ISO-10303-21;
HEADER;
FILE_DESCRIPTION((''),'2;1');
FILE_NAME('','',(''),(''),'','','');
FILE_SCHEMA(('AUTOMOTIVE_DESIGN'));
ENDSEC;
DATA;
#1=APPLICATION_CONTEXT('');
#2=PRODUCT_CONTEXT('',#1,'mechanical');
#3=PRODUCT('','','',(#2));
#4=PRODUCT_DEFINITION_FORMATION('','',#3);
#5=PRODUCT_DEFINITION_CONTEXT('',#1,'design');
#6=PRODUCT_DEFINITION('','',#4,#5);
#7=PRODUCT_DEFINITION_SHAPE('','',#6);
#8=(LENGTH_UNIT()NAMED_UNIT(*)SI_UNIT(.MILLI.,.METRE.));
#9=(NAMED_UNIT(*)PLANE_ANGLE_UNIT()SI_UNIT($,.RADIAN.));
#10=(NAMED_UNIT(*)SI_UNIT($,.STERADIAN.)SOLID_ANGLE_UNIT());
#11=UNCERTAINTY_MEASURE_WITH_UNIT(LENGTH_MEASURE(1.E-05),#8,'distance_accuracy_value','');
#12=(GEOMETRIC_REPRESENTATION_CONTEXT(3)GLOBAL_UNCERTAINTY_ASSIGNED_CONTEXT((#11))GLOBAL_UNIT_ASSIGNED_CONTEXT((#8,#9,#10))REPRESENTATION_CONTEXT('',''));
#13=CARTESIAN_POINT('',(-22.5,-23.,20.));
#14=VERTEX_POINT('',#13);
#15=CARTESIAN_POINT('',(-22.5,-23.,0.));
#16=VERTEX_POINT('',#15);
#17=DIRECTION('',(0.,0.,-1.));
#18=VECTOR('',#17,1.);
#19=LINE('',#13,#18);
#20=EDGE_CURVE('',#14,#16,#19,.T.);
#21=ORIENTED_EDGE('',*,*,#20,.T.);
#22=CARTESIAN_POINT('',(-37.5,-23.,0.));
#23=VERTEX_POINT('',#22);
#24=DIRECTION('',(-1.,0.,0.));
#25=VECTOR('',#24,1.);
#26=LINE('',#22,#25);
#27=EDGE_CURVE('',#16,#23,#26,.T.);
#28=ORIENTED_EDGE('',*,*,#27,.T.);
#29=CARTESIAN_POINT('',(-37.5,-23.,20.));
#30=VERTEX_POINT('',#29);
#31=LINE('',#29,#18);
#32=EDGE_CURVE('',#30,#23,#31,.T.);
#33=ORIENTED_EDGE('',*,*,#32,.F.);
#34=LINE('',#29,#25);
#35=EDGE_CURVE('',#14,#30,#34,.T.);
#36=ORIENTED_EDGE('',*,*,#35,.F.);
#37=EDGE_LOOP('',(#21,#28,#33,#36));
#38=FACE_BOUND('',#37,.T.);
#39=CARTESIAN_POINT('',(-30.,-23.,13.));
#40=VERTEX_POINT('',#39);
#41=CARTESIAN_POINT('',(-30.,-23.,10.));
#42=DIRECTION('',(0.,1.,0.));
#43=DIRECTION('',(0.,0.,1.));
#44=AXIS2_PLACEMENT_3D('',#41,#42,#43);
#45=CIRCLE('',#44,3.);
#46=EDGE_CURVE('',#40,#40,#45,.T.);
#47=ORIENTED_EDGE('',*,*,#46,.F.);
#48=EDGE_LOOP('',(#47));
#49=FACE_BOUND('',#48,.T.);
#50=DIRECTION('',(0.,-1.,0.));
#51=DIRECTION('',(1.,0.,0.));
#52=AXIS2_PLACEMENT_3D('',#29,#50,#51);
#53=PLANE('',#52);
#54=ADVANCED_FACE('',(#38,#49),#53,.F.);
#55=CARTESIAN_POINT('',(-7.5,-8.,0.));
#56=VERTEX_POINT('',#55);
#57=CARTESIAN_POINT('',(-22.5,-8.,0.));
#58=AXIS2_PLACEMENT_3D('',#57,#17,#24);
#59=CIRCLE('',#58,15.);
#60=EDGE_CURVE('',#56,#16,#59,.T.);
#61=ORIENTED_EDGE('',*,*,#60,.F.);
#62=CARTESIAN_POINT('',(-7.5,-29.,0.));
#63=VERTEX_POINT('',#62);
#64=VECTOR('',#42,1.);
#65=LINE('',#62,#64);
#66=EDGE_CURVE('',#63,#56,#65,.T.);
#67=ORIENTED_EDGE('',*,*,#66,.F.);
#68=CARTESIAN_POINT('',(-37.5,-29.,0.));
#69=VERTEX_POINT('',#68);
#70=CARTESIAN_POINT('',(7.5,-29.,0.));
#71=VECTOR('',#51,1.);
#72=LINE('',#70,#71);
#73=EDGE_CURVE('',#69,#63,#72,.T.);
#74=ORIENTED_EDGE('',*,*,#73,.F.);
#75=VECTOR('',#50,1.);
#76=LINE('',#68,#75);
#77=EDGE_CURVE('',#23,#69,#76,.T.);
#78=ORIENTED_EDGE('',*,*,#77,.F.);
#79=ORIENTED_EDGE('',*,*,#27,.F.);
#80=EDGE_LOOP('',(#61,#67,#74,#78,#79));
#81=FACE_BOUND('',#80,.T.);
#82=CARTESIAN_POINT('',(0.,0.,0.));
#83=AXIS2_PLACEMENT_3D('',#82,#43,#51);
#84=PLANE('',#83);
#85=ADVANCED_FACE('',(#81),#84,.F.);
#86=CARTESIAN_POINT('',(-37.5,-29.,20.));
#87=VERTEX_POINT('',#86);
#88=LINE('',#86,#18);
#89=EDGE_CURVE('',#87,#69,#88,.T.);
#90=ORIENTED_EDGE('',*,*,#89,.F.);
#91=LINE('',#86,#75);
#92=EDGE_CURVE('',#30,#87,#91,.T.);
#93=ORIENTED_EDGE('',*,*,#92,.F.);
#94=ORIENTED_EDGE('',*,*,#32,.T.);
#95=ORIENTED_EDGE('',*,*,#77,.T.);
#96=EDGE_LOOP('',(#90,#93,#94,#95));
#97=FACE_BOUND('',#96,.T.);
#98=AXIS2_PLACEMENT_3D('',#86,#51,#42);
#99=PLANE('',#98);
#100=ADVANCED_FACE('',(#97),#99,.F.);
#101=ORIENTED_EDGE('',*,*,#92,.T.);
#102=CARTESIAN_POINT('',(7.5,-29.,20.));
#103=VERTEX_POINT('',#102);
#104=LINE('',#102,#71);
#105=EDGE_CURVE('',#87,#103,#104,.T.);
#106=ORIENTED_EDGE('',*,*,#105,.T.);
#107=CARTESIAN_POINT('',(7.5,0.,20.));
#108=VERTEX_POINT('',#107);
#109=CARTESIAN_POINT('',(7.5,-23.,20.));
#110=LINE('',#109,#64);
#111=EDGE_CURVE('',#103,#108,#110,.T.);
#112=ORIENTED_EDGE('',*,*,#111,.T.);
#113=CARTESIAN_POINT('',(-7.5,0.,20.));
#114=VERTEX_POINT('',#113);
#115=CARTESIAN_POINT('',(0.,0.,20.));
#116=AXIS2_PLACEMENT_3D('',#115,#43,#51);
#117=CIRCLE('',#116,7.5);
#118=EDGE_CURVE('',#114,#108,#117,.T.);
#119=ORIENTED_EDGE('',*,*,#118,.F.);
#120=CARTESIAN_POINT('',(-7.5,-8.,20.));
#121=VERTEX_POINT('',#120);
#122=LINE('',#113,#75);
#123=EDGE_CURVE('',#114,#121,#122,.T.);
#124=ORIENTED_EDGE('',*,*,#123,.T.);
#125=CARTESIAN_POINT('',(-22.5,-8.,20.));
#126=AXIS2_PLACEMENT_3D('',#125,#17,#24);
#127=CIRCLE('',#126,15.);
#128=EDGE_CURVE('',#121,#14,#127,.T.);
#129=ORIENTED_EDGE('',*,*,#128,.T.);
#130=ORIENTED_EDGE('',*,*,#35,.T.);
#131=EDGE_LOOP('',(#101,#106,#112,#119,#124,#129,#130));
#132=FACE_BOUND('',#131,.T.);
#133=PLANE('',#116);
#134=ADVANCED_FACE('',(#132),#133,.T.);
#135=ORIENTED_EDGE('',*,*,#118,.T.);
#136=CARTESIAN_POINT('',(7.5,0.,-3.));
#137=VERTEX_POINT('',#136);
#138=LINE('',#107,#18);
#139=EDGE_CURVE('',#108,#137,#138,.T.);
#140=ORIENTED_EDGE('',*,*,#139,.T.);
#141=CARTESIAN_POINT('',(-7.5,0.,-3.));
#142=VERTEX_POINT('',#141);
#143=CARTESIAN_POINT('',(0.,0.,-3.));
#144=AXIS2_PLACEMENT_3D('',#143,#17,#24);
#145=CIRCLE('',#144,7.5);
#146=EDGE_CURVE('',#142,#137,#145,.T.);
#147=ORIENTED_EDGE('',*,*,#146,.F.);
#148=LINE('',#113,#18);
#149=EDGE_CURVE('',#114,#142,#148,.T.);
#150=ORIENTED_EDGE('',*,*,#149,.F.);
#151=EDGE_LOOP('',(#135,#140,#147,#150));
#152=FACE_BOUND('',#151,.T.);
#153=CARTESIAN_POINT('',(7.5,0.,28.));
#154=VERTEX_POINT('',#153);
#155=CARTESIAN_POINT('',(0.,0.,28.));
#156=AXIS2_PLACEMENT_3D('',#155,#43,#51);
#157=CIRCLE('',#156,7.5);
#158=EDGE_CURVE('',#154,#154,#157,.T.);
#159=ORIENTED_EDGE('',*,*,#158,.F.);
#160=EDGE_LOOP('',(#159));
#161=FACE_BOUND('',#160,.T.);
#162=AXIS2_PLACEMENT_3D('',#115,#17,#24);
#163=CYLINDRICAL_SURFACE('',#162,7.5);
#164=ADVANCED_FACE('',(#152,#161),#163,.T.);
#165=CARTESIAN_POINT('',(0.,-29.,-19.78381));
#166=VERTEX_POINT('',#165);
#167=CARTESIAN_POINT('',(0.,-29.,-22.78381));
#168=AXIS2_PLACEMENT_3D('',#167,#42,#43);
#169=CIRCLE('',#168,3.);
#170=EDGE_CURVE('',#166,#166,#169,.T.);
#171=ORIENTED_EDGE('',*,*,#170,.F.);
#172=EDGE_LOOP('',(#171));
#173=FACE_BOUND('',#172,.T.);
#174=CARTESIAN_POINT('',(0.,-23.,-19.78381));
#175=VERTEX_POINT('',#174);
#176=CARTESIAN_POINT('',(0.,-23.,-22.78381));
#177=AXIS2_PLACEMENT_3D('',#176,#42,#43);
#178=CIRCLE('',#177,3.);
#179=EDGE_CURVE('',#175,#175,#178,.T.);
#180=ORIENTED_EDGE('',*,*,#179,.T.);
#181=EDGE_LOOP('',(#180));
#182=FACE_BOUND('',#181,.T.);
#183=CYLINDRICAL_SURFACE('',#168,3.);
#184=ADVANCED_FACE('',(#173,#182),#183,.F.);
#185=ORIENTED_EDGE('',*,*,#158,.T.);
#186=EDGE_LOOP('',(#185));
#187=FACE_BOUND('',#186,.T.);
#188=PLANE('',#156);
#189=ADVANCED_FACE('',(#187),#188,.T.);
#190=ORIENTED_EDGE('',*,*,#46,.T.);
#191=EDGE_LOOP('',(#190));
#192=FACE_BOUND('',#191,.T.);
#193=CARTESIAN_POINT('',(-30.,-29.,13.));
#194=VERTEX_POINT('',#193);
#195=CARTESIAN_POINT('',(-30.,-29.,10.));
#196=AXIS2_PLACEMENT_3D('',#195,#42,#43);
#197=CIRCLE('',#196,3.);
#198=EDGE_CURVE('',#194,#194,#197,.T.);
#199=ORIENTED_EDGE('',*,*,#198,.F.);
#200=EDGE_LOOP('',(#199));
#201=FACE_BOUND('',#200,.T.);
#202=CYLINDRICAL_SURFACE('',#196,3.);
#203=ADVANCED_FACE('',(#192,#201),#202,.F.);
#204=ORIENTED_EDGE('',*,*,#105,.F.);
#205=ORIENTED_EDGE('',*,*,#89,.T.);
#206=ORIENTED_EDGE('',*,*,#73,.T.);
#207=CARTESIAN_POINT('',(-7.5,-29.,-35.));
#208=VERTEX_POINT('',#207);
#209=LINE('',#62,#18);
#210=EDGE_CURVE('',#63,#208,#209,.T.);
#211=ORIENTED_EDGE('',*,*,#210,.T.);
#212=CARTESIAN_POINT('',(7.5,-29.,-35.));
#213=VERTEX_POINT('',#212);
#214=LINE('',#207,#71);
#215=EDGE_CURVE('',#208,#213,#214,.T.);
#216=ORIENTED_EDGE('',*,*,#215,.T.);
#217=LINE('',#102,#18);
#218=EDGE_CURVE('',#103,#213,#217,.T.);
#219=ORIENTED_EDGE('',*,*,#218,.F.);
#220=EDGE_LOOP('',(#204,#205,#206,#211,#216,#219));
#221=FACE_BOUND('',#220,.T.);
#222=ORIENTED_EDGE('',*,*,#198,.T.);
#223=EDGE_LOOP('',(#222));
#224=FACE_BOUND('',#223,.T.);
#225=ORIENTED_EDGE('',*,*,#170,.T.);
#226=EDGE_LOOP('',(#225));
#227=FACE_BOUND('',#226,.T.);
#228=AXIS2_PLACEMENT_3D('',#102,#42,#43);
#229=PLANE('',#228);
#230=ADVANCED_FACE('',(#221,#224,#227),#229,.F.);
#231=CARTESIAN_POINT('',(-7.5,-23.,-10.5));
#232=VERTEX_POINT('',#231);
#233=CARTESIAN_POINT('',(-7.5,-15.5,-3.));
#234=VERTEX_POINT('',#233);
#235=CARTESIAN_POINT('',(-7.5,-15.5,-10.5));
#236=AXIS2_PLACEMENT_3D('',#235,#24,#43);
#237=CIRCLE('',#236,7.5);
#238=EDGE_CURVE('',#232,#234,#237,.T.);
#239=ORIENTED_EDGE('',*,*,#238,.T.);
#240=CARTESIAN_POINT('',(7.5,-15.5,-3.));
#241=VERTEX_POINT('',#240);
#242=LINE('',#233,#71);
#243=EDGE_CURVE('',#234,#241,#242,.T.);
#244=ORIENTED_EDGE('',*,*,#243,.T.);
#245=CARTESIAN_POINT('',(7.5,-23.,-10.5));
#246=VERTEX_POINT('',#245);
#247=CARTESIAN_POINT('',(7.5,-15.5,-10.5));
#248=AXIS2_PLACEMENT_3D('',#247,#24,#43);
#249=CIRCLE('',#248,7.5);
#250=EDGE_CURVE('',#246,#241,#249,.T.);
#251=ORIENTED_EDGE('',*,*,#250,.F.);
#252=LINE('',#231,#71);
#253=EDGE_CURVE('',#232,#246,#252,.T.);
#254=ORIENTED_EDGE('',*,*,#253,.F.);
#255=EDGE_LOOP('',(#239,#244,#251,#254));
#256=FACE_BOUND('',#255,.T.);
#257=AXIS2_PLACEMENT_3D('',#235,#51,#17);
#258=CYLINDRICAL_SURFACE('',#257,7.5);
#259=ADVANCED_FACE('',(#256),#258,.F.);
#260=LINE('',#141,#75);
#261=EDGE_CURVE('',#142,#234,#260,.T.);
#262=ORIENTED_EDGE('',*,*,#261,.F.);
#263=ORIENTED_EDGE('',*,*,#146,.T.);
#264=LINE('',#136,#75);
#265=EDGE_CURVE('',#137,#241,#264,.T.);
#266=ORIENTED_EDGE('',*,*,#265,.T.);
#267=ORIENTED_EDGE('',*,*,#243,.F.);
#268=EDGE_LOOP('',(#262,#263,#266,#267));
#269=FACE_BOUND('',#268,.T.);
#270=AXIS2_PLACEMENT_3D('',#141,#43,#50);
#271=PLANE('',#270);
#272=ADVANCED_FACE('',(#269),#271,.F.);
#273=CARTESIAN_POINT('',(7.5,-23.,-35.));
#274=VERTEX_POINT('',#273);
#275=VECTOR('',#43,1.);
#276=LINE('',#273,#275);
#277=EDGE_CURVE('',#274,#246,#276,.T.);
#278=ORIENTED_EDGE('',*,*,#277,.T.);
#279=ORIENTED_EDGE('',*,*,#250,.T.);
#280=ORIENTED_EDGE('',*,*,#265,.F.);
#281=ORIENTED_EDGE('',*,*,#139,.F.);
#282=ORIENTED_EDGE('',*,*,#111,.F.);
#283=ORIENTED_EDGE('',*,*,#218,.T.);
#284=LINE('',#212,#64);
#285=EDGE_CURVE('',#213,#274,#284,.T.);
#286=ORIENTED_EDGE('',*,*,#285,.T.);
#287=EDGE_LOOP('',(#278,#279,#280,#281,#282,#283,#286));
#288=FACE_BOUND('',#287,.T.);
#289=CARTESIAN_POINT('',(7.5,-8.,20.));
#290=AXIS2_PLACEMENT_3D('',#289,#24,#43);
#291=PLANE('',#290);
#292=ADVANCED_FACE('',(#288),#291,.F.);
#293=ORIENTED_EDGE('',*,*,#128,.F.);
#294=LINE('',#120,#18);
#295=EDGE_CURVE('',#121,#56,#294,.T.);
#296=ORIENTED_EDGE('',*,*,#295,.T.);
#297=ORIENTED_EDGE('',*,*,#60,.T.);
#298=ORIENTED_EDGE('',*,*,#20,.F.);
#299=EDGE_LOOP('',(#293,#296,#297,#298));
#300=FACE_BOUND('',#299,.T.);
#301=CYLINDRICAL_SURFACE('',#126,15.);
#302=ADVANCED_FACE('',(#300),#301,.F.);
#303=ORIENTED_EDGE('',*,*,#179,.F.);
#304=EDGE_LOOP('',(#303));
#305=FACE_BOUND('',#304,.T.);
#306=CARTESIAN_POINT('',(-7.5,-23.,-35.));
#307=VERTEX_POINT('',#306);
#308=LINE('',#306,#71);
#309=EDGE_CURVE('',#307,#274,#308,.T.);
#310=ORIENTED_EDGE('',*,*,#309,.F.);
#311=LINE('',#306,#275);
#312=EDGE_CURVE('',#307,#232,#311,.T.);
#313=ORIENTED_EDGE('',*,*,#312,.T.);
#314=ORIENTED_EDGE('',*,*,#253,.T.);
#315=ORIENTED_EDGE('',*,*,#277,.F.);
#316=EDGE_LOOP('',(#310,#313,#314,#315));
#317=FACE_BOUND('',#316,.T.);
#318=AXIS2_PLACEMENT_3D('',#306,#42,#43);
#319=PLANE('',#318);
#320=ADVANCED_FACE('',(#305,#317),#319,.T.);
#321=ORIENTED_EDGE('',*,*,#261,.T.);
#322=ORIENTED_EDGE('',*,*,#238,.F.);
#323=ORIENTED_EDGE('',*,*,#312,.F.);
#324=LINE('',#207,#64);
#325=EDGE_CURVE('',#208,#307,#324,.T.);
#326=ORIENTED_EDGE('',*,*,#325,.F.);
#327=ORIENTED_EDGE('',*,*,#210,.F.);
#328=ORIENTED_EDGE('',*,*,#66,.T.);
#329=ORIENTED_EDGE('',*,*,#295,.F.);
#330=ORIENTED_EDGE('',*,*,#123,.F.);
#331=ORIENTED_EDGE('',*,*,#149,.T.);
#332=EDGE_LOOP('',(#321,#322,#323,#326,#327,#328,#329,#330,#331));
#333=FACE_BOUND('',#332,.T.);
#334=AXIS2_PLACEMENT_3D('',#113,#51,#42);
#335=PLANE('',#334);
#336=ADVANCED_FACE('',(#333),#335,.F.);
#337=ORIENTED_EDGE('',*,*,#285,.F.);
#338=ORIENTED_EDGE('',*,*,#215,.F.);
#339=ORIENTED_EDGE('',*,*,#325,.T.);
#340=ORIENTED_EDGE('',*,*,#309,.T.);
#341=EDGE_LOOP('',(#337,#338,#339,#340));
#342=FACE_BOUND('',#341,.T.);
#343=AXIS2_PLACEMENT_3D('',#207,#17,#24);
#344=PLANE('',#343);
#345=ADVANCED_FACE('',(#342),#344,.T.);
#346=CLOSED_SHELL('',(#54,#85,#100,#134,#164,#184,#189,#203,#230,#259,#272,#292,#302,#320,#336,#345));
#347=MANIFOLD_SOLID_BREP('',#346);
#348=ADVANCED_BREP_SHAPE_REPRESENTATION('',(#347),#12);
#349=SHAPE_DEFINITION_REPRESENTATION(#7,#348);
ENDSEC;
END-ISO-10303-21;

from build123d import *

# Parameters (mm, degrees)
BOSS_EXTRUDE1_DEPTH = 20
SKETCH3_R           = 7.5
BOSS_EXTRUDE3_DEPTH = 8
BOSS_EXTRUDE4_DEPTH = 15
BOSS_EXTRUDE5_START = 3
SKETCH5_R           = 7.5
BOSS_EXTRUDE5_DEPTH = 3
SKETCH6_R           = 3
CUT_EXTRUDE1_DEPTH  = 60.678304265


with BuildPart() as part:
    # Sketch1 → Boss-Extrude1 (new body)
    with BuildSketch(Plane.XY):
        with BuildLine():
            Line((-7.5, 0), (-7.5, -8))
            ThreePointArc((-7.5, -8), (-11.893398282, -18.606601718), (-22.5, -23))
            Line((-22.5, -23), (-37.5, -23))
            Line((-37.5, -23), (-37.5, -29))
            Line((-37.5, -29), (7.5, -29))
            Line((7.5, -29), (7.5, -23))
            Line((7.5, -23), (7.5, -8))
            Line((7.5, -8), (7.5, 0))
            ThreePointArc((7.5, 0), (0, 7.5), (-7.5, 0))
        make_face()
    extrude(amount=BOSS_EXTRUDE1_DEPTH)

    # Sketch3 → Boss-Extrude3 (add)
    with BuildSketch(Plane.XY.offset(20)):
        Circle(SKETCH3_R)
    extrude(amount=BOSS_EXTRUDE3_DEPTH)

    # Sketch4 → Boss-Extrude4 (add)
    with BuildSketch(Plane(origin=(7.5, 0, 0), x_dir=(0, 0, -1), z_dir=(1, 0, 0))):
        with BuildLine():
            Line((0, -29), (35, -29))
            Line((35, -29), (35, -23))
            Line((35, -23), (10.5, -23))
            ThreePointArc((10.5, -23), (5.196699141, -20.803300859), (3, -15.5))
            Line((3, -15.5), (3, 0))
            Line((3, 0), (0, 0))
            Line((0, 0), (0, -29))
        make_face()
    extrude(amount=-BOSS_EXTRUDE4_DEPTH)

    # Sketch5 → Boss-Extrude5 (add)
    with BuildSketch(Plane(origin=(0, 0, 0), x_dir=(-1, 0, 0), z_dir=(0, 0, -1)).offset(BOSS_EXTRUDE5_START)):
        with Locations(Location((0, 0, 0), (0, 0, 180))):
            Circle(SKETCH5_R)
    extrude(amount=-BOSS_EXTRUDE5_DEPTH)

    # Sketch6 → Cut-Extrude1 (cut, through all)
    with BuildSketch(Plane(origin=(0, -23, 0), x_dir=(1, 0, 0), z_dir=(0, 1, 0))):
        with Locations(Location((0, 22.783810394, 0), (0, 0, 270))):
            Circle(SKETCH6_R)
        with Locations(Location((-30, -10, 0), (0, 0, 270))):
            Circle(SKETCH6_R)
    extrude(amount=-CUT_EXTRUDE1_DEPTH, mode=Mode.SUBTRACT)


solid = part.part
